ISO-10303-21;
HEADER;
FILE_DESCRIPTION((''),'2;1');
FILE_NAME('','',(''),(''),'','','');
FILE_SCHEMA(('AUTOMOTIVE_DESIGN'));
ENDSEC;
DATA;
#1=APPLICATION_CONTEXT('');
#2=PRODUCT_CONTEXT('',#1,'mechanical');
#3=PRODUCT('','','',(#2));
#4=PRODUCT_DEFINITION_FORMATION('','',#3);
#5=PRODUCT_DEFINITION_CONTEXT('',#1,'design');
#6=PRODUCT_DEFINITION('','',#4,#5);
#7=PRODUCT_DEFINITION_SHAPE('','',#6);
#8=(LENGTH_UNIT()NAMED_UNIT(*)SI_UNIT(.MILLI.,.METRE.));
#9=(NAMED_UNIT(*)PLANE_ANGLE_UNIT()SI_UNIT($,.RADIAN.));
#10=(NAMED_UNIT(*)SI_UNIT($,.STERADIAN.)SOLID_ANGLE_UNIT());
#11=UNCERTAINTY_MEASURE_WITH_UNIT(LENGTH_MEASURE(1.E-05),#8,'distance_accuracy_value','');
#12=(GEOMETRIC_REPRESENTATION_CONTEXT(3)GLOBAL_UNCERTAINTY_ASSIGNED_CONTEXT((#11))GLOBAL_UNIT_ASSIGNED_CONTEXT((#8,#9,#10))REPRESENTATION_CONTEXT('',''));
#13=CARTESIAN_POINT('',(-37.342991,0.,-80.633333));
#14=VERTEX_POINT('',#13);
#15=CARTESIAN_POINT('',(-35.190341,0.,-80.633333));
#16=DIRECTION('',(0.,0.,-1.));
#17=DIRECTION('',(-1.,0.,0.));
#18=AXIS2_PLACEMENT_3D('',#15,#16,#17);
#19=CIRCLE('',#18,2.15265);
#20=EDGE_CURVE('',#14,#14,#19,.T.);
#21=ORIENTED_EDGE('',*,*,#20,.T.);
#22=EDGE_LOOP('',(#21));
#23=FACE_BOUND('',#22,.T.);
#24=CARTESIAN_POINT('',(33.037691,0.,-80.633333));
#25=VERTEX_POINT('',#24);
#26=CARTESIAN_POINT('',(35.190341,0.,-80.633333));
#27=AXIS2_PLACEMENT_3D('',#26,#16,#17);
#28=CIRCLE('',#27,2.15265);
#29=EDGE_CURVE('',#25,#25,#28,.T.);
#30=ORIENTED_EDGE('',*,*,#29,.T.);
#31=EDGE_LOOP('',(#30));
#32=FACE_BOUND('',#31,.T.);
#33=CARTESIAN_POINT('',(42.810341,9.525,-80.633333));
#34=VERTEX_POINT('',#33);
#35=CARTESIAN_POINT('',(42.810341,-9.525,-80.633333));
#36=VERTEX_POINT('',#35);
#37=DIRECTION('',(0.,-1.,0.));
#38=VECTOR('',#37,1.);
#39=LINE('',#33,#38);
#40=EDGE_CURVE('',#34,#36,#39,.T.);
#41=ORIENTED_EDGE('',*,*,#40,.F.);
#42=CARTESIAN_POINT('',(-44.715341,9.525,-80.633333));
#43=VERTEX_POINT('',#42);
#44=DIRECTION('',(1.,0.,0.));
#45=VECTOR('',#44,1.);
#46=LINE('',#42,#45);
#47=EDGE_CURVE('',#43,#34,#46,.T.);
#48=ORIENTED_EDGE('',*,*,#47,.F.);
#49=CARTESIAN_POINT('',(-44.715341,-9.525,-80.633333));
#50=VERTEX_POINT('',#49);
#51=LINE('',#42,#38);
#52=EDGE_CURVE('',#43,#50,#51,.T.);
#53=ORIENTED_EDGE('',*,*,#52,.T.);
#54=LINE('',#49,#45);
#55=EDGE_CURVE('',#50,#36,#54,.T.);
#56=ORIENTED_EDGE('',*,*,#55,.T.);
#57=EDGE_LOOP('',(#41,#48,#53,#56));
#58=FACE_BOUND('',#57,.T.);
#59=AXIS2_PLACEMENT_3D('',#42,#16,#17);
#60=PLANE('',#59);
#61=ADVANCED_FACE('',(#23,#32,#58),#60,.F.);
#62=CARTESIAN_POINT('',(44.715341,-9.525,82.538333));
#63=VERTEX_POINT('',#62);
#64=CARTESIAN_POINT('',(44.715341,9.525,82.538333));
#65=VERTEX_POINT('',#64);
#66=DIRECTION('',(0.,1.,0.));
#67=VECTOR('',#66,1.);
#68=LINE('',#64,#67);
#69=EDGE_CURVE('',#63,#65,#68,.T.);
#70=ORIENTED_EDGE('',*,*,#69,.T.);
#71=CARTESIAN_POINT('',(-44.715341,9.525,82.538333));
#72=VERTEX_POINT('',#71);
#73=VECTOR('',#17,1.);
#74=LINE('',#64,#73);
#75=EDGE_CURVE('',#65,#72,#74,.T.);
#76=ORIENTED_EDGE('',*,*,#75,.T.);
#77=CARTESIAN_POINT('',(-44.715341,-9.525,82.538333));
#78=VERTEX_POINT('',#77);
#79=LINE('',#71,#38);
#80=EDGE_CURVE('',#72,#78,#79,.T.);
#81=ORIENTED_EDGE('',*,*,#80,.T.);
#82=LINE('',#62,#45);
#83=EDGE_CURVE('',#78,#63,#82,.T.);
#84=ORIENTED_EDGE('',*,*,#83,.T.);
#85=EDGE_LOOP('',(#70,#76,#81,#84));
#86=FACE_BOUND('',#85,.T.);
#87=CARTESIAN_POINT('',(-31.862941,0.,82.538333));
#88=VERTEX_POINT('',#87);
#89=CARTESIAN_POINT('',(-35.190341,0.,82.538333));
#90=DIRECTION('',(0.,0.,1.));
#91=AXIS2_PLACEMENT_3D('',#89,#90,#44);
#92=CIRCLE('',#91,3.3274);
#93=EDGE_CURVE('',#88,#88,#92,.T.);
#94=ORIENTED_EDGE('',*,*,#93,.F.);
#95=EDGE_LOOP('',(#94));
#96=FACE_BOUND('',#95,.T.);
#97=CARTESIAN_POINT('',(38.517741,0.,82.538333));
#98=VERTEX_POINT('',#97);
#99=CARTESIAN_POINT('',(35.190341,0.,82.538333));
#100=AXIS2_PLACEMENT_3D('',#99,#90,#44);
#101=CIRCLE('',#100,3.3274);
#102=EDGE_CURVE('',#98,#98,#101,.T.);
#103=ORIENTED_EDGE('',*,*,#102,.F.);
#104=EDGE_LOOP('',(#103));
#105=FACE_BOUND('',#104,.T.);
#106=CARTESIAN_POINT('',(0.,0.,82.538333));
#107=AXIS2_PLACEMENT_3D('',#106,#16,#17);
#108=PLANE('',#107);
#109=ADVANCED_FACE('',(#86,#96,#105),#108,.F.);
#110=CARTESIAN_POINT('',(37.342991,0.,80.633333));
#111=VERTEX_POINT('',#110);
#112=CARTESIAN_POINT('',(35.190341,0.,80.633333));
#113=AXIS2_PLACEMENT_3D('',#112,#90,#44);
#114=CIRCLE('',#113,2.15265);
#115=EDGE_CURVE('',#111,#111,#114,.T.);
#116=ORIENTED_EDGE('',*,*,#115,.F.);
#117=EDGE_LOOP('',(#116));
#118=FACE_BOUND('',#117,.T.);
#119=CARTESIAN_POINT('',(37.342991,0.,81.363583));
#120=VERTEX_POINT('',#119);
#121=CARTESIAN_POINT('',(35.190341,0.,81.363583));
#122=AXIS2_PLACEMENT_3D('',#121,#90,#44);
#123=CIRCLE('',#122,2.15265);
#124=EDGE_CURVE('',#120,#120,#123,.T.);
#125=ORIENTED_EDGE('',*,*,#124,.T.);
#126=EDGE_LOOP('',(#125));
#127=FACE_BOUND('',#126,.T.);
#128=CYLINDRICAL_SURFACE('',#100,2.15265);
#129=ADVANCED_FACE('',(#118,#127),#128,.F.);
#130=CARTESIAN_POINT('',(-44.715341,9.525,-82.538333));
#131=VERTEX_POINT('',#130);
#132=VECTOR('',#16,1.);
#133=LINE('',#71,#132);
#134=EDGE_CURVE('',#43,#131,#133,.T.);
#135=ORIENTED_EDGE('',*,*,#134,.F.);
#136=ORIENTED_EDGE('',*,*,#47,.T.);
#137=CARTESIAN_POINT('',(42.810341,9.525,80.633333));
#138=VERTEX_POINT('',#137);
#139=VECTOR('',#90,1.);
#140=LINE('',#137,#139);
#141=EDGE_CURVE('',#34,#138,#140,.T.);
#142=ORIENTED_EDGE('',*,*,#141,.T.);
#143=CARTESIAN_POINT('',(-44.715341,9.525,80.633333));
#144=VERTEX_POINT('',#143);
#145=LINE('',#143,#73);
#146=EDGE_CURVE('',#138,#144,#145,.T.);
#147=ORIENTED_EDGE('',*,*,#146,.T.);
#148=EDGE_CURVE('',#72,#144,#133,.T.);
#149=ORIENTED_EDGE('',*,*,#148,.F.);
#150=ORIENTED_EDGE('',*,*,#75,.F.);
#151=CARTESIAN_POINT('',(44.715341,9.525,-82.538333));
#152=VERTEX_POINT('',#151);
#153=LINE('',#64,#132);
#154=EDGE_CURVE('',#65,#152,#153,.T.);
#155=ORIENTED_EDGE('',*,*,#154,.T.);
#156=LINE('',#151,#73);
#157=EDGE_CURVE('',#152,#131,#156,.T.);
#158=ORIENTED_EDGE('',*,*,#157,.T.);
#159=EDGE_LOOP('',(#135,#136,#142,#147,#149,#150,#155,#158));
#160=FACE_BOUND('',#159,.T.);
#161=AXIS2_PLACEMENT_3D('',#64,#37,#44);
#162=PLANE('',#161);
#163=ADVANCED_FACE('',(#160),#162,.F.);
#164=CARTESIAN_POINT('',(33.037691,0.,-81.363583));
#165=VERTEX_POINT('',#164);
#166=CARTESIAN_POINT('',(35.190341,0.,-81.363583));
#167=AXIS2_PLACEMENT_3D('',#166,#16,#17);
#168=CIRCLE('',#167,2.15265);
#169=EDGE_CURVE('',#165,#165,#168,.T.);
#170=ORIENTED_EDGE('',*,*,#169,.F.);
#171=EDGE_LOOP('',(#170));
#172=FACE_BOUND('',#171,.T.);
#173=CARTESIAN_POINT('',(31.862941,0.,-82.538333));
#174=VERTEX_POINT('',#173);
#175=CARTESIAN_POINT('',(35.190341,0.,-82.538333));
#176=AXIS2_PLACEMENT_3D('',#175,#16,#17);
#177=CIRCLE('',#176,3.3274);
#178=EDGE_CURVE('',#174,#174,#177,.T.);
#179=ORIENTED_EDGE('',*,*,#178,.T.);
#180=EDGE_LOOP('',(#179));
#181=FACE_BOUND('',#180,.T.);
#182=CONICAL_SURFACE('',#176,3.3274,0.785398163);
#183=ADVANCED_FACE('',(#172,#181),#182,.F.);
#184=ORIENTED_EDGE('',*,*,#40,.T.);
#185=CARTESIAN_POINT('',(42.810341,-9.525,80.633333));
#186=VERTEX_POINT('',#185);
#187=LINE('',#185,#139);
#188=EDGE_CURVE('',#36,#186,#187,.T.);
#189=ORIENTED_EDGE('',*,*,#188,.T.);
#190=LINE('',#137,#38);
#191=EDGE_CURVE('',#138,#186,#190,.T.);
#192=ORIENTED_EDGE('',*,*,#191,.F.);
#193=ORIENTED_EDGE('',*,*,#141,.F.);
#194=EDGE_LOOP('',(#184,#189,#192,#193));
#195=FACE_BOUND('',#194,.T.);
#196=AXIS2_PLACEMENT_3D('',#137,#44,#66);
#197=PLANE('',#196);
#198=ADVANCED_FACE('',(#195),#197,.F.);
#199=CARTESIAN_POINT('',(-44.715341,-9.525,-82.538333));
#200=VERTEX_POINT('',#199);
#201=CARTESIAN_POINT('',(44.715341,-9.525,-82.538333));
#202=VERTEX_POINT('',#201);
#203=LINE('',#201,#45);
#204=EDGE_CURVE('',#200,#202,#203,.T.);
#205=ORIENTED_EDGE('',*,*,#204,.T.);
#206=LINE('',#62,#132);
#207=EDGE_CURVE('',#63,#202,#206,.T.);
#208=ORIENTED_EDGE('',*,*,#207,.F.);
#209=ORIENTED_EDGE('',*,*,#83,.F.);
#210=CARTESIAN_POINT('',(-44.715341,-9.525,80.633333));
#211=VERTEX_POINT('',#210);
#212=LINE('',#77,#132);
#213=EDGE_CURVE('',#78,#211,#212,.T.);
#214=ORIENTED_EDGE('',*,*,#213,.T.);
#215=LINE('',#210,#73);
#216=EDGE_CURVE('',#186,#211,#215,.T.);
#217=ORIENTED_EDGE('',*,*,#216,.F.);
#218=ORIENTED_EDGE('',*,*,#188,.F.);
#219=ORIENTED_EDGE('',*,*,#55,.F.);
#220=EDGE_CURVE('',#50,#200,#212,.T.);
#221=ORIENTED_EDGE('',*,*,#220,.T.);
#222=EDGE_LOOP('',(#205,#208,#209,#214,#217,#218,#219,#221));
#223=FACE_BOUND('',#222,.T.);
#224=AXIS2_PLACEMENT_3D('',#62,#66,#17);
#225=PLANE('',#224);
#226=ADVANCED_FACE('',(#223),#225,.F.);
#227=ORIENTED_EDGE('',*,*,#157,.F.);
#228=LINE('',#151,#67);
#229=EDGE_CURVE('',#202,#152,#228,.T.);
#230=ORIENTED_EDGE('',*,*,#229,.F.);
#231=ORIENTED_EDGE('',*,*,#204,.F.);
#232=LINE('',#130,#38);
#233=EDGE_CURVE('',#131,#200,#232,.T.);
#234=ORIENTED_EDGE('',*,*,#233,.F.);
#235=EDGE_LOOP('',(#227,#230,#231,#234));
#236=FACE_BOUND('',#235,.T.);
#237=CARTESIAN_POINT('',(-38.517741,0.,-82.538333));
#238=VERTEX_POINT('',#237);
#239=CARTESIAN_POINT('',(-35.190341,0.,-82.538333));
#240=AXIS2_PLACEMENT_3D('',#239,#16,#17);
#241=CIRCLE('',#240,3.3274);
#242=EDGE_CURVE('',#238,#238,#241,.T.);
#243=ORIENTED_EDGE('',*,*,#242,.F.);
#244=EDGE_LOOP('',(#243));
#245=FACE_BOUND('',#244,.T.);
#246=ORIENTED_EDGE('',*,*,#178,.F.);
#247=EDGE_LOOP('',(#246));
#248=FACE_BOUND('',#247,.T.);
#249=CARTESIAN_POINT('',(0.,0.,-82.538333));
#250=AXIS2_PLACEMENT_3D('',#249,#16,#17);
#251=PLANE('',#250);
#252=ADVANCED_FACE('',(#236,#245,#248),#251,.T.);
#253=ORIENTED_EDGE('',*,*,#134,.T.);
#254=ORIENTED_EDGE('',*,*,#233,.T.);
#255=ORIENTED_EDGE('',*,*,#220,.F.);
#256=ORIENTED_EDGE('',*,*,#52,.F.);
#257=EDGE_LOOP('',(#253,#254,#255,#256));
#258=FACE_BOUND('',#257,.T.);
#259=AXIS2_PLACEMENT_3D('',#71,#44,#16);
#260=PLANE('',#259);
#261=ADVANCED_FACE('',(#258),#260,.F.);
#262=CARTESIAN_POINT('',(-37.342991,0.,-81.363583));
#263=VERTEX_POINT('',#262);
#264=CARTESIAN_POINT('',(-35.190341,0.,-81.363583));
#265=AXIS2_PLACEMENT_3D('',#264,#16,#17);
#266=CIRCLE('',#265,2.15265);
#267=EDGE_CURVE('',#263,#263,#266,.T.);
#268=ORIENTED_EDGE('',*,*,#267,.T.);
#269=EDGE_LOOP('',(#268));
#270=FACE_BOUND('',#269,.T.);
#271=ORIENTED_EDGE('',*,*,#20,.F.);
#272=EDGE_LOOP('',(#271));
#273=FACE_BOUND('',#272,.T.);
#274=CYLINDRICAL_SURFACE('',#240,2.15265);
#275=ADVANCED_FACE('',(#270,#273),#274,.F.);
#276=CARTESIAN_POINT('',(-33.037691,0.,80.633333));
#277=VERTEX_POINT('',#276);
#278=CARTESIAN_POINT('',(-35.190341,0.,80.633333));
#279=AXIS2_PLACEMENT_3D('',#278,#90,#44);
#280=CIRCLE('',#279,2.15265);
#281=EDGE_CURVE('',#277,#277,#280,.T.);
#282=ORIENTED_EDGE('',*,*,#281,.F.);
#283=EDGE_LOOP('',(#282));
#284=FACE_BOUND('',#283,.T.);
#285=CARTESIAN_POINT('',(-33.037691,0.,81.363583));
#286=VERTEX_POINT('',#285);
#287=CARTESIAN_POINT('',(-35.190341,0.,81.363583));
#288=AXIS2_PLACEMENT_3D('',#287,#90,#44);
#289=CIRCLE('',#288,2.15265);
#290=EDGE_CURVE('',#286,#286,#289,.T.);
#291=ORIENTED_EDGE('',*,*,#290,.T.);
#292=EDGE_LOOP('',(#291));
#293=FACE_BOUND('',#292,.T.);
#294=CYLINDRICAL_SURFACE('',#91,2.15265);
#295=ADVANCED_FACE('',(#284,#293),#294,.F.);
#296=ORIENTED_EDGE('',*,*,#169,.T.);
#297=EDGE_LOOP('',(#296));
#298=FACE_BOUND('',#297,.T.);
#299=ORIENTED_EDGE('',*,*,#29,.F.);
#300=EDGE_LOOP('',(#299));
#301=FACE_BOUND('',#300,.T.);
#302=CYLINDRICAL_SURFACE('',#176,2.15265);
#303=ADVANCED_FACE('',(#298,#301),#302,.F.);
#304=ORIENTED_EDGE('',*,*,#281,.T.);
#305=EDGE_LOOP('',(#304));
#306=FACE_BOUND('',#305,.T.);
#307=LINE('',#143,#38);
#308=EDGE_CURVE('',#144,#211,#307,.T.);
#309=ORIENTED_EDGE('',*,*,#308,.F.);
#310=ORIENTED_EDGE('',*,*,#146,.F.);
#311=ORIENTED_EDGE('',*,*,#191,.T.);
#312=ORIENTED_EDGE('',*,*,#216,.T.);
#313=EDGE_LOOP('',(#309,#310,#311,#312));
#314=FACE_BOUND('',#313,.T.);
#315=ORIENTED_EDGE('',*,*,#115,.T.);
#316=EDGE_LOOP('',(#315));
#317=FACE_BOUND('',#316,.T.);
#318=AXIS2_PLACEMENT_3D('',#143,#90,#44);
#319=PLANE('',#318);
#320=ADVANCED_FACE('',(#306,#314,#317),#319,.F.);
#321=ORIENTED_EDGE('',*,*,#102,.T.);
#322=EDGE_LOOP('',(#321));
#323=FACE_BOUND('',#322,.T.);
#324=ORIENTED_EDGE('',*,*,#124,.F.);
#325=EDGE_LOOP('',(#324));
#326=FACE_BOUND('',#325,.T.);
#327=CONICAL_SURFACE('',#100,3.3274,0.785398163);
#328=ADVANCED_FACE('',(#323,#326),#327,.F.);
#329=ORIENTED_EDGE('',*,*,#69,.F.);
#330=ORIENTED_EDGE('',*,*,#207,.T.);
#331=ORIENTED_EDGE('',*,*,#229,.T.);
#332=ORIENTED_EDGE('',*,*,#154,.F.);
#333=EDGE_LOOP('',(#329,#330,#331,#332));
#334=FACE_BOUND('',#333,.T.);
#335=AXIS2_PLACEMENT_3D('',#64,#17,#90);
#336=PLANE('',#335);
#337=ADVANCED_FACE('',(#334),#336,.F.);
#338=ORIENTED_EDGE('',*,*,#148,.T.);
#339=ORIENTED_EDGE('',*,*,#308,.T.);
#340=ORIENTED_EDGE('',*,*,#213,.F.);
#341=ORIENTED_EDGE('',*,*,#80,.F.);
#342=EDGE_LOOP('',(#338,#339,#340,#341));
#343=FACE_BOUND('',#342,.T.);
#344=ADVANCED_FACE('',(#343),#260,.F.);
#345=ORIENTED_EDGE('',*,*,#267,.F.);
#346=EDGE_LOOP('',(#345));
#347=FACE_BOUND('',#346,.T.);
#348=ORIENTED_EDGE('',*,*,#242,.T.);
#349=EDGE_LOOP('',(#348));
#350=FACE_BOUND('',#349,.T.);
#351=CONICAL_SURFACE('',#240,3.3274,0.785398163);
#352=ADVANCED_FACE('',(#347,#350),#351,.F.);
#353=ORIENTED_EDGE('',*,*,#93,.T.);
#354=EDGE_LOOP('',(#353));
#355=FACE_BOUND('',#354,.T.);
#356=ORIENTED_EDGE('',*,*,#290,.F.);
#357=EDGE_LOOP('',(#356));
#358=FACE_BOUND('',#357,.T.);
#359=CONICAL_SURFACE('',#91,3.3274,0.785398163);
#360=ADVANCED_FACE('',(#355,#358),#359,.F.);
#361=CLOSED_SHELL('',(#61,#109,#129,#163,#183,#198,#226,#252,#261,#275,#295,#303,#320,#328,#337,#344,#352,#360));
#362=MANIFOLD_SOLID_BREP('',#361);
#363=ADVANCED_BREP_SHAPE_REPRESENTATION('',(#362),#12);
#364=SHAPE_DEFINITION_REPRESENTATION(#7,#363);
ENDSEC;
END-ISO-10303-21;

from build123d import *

# Parameters (mm, degrees)
SKETCH3_W                       = 89.4306822
SKETCH3_H                       = 19.05
BOSS_EXTRUDE1_DEPTH             = 82.538333314
SKETCH4_W                       = 87.5256822
SKETCH4_H                       = 161.266666628
CUT_EXTRUDE1_DEPTH              = 96.785910738
F_6_CLEARANCE_HOLE1_AT_2_COUNT  = 2
F_6_CLEARANCE_HOLE1_AT_2_PITCH  = 70.3806822
F_6_CLEARANCE_HOLE2_D           = 4.3053
F_6_CLEARANCE_HOLE2_DEPTH       = 6.858
F_6_CLEARANCE_HOLE2_CSINK_D     = 6.6548
F_6_CLEARANCE_HOLE2_CSINK_ANGLE = 90
F_6_CLEARANCE_HOLE2_TIP         = 1.293442612


with BuildPart() as part:
    # Sketch3 → Boss-Extrude1 (new, symmetric)
    with BuildSketch(Plane.XY):
        Rectangle(SKETCH3_W, SKETCH3_H)
    extrude(amount=BOSS_EXTRUDE1_DEPTH, both=True)

    # Sketch4 → Cut-Extrude1 (cut, through all)
    with BuildSketch(Plane.XZ.offset(9.525)):
        with Locations((-0.9525, 0)):
            Rectangle(SKETCH4_W, SKETCH4_H)
    extrude(amount=-CUT_EXTRUDE1_DEPTH, mode=Mode.SUBTRACT)

    # Sketch6 → #6 Clearance Hole1 (revolve, cut)
    with BuildSketch(Plane(origin=(35.1903411, 0, -82.538333314), x_dir=(0, 1, 0), z_dir=(1, 0, 0))):
        Polygon((0, 0), (0, 1.905), (2.15265, 1.905), (2.15265, 1.17475), (3.3274, 0), align=None)
    f_6_clearance_hole1 = revolve(axis=Axis((35.1903411, 0, -88.888333314), (0, 0, 1)), mode=Mode.SUBTRACT)

    # #6 Clearance Hole1 at 2: #6 Clearance Hole1 ×2
    with Locations(*[(-i * F_6_CLEARANCE_HOLE1_AT_2_PITCH, 0, 0) for i in range(1, F_6_CLEARANCE_HOLE1_AT_2_COUNT)]):
        add(f_6_clearance_hole1, mode=Mode.SUBTRACT)

    # #6 Clearance Hole2
    with Locations(Plane.XY.offset(82.538333314)):
        with Locations((-35.1903411, 0), (35.1903411, 0)):
            CounterSinkHole(F_6_CLEARANCE_HOLE2_D / 2, F_6_CLEARANCE_HOLE2_CSINK_D / 2, depth=F_6_CLEARANCE_HOLE2_DEPTH, counter_sink_angle=F_6_CLEARANCE_HOLE2_CSINK_ANGLE)
            with Locations((0, 0, -(F_6_CLEARANCE_HOLE2_DEPTH + F_6_CLEARANCE_HOLE2_TIP / 2))):  # 118° drill point
                Cone(0, F_6_CLEARANCE_HOLE2_D / 2, F_6_CLEARANCE_HOLE2_TIP, mode=Mode.SUBTRACT)


solid = part.part
